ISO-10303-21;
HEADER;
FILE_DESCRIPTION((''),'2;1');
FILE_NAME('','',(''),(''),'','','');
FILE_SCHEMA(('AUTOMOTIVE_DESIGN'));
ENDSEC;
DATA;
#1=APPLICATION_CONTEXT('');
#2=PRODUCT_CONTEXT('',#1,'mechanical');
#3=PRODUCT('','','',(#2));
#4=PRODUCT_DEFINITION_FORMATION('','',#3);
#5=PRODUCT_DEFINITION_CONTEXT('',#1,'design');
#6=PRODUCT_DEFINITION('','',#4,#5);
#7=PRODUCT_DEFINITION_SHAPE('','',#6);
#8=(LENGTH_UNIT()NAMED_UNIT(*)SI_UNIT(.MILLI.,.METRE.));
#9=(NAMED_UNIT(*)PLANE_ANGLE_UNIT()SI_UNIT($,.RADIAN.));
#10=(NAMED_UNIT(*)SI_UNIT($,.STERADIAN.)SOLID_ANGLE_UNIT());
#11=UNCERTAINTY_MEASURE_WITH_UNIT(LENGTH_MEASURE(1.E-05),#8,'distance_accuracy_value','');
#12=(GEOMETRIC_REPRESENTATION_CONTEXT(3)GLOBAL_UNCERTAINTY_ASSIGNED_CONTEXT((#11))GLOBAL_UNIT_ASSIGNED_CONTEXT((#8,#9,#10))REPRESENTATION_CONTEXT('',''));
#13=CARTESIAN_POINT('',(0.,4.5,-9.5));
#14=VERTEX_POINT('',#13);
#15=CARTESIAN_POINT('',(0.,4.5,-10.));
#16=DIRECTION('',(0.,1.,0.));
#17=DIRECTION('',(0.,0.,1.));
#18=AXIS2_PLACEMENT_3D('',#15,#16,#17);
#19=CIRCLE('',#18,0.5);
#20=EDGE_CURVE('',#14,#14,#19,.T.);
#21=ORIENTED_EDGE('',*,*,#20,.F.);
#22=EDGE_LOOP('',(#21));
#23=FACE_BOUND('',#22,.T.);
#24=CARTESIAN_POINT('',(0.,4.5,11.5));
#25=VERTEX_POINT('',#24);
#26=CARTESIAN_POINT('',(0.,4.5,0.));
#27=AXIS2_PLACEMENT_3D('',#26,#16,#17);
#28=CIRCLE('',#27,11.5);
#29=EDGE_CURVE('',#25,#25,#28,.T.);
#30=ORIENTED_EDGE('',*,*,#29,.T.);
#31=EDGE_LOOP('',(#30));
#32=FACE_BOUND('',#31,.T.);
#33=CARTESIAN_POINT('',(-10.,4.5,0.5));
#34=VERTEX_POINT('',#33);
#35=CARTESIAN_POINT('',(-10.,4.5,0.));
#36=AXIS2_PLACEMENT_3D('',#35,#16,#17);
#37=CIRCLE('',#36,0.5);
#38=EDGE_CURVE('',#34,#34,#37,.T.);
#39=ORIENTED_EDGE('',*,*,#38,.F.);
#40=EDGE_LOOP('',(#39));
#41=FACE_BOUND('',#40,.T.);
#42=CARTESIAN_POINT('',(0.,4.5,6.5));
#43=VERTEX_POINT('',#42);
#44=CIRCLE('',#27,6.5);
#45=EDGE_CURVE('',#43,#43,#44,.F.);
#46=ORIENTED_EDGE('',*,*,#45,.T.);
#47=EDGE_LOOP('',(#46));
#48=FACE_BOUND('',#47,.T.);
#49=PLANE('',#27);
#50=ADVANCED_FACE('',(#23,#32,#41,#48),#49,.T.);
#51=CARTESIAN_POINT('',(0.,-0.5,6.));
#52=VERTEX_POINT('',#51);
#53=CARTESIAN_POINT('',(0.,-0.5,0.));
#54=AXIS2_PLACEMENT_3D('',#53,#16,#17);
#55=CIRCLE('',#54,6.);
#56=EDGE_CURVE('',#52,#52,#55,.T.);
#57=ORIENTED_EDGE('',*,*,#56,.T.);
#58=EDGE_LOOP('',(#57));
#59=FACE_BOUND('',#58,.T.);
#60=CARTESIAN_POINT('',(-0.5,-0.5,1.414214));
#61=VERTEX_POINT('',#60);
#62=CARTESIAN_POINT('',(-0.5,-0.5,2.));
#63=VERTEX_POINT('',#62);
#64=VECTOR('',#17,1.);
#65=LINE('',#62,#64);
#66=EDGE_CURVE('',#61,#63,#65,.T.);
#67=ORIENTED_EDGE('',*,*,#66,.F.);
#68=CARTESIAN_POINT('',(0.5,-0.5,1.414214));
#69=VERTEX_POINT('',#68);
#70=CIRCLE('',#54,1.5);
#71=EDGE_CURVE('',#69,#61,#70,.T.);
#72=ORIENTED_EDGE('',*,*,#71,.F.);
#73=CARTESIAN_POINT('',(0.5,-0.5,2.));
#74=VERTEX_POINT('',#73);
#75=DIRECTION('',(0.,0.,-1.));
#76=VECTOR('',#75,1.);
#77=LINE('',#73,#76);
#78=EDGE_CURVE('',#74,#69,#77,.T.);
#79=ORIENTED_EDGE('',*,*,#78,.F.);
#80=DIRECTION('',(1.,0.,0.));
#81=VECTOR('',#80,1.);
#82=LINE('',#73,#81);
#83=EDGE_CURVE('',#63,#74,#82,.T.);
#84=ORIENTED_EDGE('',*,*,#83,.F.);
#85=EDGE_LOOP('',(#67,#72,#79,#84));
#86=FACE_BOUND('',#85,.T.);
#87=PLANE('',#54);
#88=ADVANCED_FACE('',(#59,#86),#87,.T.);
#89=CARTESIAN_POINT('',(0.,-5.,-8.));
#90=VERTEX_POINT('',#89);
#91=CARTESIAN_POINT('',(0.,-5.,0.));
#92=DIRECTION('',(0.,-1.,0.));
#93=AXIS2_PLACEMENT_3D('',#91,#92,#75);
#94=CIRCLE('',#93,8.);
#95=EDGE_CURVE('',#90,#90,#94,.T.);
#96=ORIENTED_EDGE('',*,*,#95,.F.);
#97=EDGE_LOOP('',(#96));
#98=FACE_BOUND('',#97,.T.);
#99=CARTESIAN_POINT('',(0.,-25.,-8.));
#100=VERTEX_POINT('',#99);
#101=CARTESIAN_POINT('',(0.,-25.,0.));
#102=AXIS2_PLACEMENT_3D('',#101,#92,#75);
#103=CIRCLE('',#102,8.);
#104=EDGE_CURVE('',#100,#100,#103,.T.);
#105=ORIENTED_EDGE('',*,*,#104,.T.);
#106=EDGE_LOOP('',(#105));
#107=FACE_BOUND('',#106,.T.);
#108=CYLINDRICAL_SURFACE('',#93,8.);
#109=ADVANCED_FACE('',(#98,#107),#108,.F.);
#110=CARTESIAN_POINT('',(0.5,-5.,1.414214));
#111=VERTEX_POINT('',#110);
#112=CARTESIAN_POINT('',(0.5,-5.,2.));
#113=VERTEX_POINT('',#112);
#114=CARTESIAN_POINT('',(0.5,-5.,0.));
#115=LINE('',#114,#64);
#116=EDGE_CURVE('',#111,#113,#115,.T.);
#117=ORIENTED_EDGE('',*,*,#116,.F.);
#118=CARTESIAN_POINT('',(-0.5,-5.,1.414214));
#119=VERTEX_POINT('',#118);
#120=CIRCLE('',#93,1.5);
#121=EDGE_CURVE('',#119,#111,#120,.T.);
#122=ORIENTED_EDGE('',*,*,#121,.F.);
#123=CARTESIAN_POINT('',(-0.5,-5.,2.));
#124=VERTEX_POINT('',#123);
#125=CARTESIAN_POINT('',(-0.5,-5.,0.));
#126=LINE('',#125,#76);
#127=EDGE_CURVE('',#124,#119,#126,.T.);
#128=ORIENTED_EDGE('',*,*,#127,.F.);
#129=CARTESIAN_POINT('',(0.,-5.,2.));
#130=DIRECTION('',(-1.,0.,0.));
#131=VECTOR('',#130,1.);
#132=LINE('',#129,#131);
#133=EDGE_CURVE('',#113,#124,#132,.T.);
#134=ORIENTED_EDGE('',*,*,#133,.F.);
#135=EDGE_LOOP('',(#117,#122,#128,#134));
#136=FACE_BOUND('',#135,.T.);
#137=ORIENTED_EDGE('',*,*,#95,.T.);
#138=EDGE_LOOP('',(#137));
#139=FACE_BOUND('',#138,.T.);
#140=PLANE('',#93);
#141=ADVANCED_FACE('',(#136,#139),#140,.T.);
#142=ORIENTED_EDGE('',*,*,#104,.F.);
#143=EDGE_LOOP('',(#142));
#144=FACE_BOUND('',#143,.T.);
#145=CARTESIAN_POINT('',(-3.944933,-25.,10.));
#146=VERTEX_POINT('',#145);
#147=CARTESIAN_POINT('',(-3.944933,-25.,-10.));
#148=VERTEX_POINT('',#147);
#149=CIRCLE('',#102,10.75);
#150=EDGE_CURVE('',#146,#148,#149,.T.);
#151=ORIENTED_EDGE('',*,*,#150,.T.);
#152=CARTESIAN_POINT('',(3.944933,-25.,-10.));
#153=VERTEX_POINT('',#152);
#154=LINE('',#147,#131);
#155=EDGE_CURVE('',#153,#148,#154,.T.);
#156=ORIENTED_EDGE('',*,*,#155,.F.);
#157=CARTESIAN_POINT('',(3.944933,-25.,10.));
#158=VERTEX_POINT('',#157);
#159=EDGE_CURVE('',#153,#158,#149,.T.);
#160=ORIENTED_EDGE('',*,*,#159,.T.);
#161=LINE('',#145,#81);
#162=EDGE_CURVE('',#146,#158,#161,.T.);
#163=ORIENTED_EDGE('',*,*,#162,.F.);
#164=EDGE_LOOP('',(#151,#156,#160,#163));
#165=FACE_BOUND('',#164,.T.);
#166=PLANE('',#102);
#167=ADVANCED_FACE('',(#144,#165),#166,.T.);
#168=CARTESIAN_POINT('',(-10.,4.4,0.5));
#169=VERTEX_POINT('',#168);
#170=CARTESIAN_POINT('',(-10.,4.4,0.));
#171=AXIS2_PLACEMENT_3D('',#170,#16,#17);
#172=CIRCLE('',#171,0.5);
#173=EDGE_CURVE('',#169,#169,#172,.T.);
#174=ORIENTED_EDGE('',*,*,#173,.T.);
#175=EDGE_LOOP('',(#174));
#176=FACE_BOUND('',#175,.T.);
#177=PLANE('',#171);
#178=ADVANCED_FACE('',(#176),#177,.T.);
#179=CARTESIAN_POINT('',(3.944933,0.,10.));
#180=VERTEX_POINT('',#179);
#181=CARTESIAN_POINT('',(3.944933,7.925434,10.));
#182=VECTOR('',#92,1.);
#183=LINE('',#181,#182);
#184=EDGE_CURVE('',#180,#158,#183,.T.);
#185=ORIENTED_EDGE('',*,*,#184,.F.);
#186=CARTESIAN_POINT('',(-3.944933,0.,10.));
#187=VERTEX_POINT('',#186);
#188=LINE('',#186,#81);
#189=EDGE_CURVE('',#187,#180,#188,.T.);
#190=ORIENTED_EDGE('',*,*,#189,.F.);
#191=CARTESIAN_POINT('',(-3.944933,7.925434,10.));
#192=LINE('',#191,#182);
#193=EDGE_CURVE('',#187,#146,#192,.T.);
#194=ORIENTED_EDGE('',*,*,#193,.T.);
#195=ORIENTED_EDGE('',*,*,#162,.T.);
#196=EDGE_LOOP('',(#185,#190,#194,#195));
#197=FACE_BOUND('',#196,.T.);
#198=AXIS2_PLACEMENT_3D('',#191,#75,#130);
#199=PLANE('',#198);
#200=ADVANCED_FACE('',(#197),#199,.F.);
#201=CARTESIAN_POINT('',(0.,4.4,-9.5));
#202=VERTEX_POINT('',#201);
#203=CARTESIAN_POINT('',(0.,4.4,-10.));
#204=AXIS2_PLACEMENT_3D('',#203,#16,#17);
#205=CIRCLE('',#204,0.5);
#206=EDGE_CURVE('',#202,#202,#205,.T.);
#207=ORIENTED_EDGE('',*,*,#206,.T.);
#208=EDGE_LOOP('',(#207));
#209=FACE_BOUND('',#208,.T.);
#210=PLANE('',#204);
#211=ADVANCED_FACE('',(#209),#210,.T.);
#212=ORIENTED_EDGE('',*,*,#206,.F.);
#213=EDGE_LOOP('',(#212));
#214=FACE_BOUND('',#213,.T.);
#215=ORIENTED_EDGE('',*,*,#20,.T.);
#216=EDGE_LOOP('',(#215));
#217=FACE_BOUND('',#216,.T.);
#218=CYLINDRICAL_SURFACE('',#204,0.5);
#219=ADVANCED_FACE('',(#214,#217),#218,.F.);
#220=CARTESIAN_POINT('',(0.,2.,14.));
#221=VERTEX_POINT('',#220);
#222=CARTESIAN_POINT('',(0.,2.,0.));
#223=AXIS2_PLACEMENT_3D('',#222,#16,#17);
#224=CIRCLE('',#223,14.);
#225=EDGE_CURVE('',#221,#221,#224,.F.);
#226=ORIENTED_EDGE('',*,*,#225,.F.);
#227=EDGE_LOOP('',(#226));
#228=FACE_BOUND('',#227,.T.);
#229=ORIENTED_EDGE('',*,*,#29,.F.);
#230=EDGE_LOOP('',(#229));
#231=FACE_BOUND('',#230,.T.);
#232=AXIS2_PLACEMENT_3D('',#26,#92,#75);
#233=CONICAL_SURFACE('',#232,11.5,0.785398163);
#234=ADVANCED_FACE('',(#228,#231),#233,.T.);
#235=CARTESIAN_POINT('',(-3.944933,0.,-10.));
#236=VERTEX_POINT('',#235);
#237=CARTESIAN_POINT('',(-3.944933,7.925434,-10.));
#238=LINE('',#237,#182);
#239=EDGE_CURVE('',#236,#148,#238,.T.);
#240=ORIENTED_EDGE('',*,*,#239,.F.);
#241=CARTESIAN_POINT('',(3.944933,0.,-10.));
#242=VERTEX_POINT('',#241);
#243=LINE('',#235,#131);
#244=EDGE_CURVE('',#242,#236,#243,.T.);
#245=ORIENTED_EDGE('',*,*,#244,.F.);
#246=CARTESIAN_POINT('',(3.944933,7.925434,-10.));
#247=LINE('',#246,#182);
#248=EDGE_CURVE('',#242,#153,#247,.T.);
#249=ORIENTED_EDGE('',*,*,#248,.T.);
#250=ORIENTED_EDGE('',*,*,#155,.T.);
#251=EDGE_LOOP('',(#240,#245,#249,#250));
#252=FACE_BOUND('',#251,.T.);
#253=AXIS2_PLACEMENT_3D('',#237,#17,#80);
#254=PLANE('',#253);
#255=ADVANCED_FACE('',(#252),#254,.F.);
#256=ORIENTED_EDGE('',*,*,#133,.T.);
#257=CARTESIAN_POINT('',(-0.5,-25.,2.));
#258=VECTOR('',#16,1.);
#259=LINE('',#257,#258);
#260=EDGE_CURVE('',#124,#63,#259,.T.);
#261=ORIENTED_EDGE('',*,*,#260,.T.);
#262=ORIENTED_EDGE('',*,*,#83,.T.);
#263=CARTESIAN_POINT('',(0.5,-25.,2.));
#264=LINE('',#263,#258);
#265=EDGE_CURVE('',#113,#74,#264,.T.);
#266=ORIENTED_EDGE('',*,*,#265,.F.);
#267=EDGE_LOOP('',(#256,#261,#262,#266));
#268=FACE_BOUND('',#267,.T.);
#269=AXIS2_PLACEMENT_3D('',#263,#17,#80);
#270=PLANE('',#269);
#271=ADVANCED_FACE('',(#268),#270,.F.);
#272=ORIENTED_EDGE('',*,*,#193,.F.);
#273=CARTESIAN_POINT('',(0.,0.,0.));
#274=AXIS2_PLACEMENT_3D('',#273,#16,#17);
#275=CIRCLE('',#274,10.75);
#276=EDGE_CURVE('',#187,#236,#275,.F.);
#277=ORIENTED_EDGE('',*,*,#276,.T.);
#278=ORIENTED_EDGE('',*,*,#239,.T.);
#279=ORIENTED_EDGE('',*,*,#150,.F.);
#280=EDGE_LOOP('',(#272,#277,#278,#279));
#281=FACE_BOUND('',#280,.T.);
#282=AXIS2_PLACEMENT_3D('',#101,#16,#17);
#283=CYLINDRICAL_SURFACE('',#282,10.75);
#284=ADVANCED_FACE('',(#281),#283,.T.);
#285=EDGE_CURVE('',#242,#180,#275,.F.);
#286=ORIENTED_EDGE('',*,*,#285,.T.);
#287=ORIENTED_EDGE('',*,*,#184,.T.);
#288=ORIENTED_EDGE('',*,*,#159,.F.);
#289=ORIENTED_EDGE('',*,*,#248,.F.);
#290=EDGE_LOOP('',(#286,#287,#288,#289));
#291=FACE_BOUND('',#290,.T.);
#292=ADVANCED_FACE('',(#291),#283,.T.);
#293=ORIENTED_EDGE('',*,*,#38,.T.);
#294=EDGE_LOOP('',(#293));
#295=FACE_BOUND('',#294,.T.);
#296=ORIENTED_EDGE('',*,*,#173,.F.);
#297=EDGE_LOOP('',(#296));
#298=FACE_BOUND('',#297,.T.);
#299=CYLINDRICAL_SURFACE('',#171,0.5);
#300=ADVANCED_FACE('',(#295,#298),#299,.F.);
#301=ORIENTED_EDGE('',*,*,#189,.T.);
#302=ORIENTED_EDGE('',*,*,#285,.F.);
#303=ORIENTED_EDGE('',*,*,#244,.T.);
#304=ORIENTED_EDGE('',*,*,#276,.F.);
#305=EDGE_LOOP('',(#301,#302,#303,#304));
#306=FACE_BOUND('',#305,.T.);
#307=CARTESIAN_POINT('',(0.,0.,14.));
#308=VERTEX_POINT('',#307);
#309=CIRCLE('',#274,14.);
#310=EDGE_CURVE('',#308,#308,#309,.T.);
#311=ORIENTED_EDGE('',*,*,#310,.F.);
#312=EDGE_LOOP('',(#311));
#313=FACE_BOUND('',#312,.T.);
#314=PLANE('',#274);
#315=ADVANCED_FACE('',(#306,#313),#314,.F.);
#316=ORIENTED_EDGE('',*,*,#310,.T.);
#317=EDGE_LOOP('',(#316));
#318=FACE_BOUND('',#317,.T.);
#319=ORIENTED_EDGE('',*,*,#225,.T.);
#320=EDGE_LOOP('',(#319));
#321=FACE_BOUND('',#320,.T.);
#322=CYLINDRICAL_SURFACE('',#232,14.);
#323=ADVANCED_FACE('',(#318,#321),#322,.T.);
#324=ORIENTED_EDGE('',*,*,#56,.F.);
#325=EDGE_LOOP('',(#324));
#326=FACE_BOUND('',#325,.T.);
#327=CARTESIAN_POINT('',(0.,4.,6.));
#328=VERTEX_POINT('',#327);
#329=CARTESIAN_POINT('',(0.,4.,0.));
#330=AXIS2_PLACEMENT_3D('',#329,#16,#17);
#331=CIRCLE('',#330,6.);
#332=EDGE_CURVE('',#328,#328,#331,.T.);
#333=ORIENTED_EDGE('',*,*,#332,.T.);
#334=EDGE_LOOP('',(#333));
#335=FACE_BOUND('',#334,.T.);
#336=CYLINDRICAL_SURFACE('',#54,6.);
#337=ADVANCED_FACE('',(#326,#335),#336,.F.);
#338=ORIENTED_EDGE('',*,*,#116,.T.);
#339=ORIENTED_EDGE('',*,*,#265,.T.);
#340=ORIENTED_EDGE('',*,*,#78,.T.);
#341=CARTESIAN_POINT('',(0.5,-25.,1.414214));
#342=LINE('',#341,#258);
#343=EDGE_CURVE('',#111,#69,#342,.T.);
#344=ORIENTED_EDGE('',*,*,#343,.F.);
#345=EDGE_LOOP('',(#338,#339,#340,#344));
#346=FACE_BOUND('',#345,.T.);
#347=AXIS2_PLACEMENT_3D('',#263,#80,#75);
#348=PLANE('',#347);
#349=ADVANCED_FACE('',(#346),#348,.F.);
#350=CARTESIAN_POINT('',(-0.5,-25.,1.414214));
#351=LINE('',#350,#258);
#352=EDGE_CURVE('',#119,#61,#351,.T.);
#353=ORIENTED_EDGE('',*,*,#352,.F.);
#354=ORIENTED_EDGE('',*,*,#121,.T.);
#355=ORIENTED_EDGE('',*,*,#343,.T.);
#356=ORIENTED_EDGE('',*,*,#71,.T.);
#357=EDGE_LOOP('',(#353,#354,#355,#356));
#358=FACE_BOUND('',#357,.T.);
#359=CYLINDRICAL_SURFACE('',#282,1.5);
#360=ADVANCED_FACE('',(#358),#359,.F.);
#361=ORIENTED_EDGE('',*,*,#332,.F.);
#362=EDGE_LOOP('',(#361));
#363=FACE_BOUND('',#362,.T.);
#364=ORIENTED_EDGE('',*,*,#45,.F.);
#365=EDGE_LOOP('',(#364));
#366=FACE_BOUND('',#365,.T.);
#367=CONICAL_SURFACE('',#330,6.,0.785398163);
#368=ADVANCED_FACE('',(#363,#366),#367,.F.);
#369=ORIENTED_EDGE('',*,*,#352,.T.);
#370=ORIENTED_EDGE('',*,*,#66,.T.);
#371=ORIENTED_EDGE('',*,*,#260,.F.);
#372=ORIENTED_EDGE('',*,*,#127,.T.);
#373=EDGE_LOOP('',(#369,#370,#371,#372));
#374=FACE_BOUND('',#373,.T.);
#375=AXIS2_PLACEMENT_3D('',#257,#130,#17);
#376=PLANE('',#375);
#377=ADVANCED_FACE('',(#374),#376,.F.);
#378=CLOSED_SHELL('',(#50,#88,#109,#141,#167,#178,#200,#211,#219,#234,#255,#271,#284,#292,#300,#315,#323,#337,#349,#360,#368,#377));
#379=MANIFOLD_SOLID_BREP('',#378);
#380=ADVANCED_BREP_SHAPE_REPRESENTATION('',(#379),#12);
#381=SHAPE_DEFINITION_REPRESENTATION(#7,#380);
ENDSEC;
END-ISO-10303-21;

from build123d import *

# Parameters (mm, degrees)
SKETCH_1_R            = 14
EXTRUDE_1_DEPTH       = 4.5
SKETCH_8_R            = 0.5
CUT_EXTRUDE_594_DEPTH = 0.1
CHAMFER_1_SIZE        = 2.5
SKETCH_2_R            = 10.75
EXTRUDE_2_DEPTH       = 25
CUT_EXTRUDE_START     = -25
CUT_EXTRUDE_1_DEPTH   = 25
SKETCH_4_R            = 6
CUT_EXTRUDE_2_DEPTH   = 5
CHAMFER_2_SIZE        = 0.5
SKETCH_6_R            = 8
CUT_EXTRUDE_3_DEPTH   = 20
CUT_EXTRUDE_4_DEPTH   = 32.5


with BuildPart() as part:
    # 草图1 → 凸台-拉伸1 (new body)
    with BuildSketch(Plane(origin=(0, 0, 0), x_dir=(1, 0, 0), z_dir=(0, 1, 0))):
        with Locations(Location((0, 0, 0), (0, 0, 270))):
            Circle(SKETCH_1_R)
    extrude(amount=EXTRUDE_1_DEPTH)

    # 草图8 → Cut-Extrude 594 (cut)
    with BuildSketch(Plane(origin=(0, 4.5, 0), x_dir=(1, 0, 0), z_dir=(0, 1, 0))):
        with Locations(Location((-10, 0, 0), (0, 0, 270))):
            Circle(SKETCH_8_R)
        with Locations(Location((0, 10, 0), (0, 0, 270))):
            Circle(SKETCH_8_R)
    extrude(amount=-CUT_EXTRUDE_594_DEPTH, mode=Mode.SUBTRACT)

    # 倒角1
    chamfer_1_edges = [part.edges().sort_by_distance(p)[0] for p in [
        (0, 4.5, -14),
    ]]
    chamfer(chamfer_1_edges, length=CHAMFER_1_SIZE)

    # 草图2 → 凸台-拉伸2 (add)
    with BuildSketch(Plane.XZ):
        with Locations(Location((0, 0, 0), (0, 0, 90))):
            Circle(SKETCH_2_R)
    extrude(amount=EXTRUDE_2_DEPTH)

    # 草图3 → 切除-拉伸1 (cut)
    with BuildSketch(Plane.XZ.offset(25).offset(CUT_EXTRUDE_START)):
        with BuildLine():
            Line((-3.94493346, -10), (3.94493346, -10))
            ThreePointArc((3.94493346, -10), (0, -10.75), (-3.94493346, -10))
        make_face()
        with BuildLine():
            Line((-3.94493346, 10), (3.94493346, 10))
            ThreePointArc((3.94493346, 10), (0, 10.75), (-3.94493346, 10))
        make_face()
    extrude(amount=CUT_EXTRUDE_1_DEPTH, mode=Mode.SUBTRACT)

    # 草图4 → 切除-拉伸2 (cut)
    with BuildSketch(Plane(origin=(0, 4.5, 0), x_dir=(1, 0, 0), z_dir=(0, 1, 0))):
        with Locations(Location((0, 0, 0), (0, 0, 270))):
            Circle(SKETCH_4_R)
    extrude(amount=-CUT_EXTRUDE_2_DEPTH, mode=Mode.SUBTRACT)

    # 倒角2
    chamfer_2_edges = [part.edges().sort_by_distance(p)[0] for p in [
        (0, 4.5, -6),
    ]]
    chamfer(chamfer_2_edges, length=CHAMFER_2_SIZE)

    # 草图6 → 切除-拉伸3 (cut)
    with BuildSketch(Plane.XZ.offset(25)):
        with Locations(Location((0, 0, 0), (0, 0, 270))):
            Circle(SKETCH_6_R)
    extrude(amount=-CUT_EXTRUDE_3_DEPTH, mode=Mode.SUBTRACT)

    # 草图7 → 切除-拉伸4 (cut, through all)
    with BuildSketch(Plane(origin=(0, -0.5, 0), x_dir=(1, 0, 0), z_dir=(0, 1, 0))):
        with BuildLine():
            Line((0.5, -2), (0.5, -1.414213562))
            ThreePointArc((0.5, -1.414213562), (0, 1.5), (-0.5, -1.414213562))
            Line((-0.5, -1.414213562), (-0.5, -2))
            Line((-0.5, -2), (0.5, -2))
        make_face()
    extrude(amount=-CUT_EXTRUDE_4_DEPTH, mode=Mode.SUBTRACT)


solid = part.part
